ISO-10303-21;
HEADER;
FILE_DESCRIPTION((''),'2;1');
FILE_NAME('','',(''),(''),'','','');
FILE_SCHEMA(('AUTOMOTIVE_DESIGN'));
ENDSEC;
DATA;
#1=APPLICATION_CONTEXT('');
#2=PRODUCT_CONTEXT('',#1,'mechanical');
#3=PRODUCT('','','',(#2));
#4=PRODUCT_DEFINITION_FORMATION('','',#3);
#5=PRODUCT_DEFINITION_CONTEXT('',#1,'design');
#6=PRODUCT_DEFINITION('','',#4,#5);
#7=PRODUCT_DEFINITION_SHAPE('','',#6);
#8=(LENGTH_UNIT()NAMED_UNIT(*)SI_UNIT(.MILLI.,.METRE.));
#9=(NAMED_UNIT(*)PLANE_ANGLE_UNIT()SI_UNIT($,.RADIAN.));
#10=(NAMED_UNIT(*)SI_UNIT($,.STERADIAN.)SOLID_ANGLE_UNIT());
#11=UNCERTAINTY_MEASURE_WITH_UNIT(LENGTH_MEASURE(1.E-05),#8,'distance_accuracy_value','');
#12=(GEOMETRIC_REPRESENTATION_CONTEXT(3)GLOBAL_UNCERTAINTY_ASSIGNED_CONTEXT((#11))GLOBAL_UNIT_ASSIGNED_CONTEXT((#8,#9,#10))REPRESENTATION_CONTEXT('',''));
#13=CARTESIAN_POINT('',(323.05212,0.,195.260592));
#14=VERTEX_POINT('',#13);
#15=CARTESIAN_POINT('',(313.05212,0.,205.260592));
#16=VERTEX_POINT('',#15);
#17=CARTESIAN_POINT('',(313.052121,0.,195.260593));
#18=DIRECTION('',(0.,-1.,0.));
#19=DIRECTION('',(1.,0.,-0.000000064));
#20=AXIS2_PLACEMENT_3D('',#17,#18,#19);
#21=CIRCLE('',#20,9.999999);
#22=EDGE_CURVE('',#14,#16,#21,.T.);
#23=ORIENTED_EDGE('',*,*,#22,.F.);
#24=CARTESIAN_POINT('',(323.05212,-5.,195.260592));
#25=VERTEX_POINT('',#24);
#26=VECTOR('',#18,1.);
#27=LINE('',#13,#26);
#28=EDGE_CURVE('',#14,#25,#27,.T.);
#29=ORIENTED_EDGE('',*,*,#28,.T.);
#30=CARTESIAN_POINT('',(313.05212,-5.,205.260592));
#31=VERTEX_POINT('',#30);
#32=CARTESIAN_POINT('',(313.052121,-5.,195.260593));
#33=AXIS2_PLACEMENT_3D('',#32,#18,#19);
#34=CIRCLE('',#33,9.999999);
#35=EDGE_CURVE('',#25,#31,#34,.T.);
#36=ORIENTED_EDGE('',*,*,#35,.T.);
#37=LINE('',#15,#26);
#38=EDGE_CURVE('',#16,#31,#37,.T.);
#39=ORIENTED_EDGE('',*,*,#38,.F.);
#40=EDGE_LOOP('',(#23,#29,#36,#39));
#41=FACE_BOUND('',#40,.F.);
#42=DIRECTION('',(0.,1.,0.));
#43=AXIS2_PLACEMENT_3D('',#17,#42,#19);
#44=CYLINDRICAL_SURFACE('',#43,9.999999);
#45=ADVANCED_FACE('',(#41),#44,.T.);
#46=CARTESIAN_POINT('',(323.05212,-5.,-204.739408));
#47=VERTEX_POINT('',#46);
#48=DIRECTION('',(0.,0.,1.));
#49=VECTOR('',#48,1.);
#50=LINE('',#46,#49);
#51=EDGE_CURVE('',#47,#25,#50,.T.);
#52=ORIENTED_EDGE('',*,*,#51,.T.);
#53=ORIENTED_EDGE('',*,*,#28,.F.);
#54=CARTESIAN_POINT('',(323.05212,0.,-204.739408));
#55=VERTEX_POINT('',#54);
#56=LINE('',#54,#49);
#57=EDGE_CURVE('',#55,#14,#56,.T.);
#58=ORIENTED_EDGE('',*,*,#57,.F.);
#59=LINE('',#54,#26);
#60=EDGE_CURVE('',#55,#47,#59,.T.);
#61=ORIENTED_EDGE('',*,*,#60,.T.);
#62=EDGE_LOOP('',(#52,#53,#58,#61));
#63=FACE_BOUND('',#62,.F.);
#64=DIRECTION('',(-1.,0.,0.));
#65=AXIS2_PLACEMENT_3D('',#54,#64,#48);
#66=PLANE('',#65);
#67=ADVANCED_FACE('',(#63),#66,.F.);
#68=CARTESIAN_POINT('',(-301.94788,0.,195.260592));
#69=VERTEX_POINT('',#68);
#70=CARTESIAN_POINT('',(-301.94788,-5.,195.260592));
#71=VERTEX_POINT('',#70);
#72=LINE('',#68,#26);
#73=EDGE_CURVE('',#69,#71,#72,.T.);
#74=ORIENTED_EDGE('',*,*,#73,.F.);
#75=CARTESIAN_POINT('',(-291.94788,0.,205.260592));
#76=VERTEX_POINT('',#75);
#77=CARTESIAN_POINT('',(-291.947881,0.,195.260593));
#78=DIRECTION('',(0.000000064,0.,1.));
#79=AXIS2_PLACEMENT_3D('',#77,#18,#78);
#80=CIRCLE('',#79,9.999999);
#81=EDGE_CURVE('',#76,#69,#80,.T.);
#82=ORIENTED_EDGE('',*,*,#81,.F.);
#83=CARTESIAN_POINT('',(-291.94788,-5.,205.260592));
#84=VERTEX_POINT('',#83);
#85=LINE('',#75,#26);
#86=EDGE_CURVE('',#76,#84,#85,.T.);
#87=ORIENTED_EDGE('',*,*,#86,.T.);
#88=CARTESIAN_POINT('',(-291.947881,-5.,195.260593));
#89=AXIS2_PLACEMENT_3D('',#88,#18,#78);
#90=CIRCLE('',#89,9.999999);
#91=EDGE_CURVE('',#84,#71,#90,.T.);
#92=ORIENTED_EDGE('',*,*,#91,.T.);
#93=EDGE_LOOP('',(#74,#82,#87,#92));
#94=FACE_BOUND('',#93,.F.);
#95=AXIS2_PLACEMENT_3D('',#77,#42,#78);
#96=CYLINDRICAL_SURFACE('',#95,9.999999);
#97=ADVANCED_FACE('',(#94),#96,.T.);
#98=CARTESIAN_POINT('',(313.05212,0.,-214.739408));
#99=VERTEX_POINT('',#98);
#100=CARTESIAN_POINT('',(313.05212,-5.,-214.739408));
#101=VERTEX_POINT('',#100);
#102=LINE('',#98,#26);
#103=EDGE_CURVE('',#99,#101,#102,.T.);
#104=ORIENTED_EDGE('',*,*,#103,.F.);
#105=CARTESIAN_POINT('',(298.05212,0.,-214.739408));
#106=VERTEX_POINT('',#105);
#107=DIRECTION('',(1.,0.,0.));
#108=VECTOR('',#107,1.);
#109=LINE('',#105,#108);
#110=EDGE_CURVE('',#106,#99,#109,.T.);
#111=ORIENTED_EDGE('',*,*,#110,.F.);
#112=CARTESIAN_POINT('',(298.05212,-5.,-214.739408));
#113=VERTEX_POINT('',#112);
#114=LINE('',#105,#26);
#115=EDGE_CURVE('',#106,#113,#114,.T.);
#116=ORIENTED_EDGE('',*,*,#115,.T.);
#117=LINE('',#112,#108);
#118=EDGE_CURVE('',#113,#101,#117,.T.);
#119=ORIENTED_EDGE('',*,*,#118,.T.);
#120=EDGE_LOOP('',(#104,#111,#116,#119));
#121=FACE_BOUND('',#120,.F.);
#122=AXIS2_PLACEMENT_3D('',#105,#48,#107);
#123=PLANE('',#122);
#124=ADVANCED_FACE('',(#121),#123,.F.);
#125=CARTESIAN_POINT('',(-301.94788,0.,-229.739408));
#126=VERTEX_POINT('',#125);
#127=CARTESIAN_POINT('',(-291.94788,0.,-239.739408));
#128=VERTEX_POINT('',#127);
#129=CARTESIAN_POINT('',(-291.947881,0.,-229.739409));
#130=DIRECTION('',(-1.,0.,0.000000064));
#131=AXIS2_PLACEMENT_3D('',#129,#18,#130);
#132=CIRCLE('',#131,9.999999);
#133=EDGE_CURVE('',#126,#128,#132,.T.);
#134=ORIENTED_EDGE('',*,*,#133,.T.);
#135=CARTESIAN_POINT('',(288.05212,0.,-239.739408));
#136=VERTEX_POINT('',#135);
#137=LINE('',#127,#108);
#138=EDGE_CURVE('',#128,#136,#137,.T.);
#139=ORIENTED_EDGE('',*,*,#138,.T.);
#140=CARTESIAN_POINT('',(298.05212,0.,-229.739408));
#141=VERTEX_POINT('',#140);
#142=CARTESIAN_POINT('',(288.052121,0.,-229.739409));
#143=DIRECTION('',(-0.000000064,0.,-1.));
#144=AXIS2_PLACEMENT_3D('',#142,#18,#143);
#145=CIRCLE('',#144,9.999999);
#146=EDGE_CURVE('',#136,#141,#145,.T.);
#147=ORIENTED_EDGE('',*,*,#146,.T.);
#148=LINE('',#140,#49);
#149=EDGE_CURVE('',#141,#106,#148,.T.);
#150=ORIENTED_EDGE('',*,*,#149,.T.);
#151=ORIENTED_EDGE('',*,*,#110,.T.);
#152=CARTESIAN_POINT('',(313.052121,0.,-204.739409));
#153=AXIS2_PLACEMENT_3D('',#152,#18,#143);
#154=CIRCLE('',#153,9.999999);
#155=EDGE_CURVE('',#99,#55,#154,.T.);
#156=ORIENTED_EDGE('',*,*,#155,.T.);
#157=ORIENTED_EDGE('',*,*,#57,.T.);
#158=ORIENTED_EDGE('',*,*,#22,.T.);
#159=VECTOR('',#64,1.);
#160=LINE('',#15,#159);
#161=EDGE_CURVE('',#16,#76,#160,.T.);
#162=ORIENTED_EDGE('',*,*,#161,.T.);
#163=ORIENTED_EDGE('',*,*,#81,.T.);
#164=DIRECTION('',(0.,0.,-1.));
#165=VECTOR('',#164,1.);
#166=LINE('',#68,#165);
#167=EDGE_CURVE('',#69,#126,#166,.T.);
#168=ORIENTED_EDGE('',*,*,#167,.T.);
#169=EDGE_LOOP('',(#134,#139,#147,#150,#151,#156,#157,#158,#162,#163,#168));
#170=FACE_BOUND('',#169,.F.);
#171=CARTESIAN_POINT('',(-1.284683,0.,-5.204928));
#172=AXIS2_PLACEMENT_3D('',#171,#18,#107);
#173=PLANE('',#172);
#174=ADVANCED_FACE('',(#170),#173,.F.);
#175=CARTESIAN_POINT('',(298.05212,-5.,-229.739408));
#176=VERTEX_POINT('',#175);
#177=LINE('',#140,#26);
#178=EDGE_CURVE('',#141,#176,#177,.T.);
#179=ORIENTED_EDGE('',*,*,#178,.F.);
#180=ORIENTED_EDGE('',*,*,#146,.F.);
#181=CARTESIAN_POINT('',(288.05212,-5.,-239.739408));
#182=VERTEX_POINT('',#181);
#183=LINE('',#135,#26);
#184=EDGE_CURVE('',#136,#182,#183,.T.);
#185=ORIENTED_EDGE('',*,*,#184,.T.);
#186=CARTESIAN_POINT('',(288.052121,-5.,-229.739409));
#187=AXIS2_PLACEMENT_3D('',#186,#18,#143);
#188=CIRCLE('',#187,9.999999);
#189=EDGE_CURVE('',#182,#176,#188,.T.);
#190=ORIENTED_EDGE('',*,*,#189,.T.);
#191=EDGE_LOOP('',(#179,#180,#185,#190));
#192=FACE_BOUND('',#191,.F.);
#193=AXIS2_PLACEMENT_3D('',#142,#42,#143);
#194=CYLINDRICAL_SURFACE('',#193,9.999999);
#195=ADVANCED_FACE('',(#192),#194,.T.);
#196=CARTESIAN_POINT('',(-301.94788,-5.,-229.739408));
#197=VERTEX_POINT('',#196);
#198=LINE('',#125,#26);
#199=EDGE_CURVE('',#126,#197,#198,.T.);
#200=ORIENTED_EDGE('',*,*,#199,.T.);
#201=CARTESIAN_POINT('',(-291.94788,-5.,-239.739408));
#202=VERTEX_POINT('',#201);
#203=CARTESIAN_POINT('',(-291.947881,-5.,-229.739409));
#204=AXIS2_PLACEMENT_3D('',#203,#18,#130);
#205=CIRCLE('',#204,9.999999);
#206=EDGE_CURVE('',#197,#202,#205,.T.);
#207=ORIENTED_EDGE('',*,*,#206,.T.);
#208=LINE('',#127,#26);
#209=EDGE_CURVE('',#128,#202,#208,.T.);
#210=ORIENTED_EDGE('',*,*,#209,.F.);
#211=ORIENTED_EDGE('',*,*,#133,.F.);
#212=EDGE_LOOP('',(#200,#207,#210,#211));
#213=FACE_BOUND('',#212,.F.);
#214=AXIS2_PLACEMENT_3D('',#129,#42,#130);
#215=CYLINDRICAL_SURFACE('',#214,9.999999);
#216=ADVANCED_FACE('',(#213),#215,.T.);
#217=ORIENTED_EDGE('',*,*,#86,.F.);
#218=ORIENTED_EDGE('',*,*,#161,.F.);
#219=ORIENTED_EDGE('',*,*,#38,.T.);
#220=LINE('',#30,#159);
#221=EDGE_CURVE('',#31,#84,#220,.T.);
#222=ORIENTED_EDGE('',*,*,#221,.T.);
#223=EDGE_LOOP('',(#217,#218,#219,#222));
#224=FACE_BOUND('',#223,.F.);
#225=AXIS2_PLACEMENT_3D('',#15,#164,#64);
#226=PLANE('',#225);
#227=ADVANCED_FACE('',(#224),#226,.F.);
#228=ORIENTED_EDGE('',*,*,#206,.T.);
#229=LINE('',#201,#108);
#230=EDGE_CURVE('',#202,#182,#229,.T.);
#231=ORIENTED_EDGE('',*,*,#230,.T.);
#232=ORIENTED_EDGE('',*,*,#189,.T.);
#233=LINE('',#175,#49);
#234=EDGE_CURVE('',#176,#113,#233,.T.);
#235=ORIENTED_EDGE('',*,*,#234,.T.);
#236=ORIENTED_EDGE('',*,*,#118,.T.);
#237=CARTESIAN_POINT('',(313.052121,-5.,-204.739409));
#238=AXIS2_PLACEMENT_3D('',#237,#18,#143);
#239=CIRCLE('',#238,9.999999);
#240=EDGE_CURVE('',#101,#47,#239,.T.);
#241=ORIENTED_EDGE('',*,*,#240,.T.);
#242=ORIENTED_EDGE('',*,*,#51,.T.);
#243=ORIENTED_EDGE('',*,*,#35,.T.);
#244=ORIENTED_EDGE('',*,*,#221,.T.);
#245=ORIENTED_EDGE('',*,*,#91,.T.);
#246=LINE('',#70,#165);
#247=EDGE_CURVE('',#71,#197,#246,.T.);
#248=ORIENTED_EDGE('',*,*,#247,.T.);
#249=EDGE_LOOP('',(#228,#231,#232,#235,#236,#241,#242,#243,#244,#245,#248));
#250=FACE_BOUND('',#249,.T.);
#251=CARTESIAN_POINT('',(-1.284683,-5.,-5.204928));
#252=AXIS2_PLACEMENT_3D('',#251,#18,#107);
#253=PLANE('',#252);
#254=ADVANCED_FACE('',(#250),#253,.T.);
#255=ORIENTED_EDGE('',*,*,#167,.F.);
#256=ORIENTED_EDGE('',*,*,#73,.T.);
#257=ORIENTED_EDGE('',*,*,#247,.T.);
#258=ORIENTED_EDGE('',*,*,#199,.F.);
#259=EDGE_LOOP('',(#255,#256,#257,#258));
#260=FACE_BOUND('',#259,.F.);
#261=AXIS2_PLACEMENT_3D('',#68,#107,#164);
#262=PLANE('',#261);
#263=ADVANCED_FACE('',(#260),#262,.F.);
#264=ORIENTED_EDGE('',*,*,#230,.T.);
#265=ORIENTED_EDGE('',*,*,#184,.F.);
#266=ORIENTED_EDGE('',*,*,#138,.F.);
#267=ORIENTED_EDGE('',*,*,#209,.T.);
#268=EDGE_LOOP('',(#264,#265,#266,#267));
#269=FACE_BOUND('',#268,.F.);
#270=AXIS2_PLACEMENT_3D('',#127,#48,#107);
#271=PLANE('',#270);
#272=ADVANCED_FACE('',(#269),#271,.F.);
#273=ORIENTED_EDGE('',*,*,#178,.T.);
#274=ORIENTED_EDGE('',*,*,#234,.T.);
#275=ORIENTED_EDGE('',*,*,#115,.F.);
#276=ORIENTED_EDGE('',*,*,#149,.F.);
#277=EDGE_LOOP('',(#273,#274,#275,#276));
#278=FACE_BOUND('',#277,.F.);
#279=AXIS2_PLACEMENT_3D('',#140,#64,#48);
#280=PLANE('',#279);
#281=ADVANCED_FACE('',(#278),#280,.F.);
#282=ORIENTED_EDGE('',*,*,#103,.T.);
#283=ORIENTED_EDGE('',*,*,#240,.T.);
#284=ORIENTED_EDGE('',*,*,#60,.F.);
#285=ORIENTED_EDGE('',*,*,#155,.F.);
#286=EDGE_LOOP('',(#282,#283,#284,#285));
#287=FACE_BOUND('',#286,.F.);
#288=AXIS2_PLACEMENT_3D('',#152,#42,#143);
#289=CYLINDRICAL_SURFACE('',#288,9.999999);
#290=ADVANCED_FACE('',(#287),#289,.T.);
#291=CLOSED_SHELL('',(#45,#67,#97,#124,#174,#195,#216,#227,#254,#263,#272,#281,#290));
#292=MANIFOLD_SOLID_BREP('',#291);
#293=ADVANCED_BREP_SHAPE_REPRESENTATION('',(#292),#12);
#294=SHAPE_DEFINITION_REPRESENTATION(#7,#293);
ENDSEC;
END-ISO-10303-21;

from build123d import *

# Parameters (mm, degrees)
F1_DEPTH = 5


with BuildPart() as f1:
    # F0 (on Front) → F1 (new body)
    with BuildSketch(Plane.XZ):
        with BuildLine():
            Line((298.05212, 205.260592), (-291.94788, 205.260592))
            ThreePointArc((-291.94788, 205.260592), (-299.018948, 202.33166), (-301.94788, 195.260592))
            Line((-301.94788, 195.260592), (-301.94788, -214.739408))
            Line((-301.94788, -214.739408), (298.05212, -214.739408))
            Line((298.05212, -214.739408), (298.05212, 205.260592))
        make_face()
        with BuildLine():
            Line((298.05212, -229.739408), (298.05212, -214.739408))
            Line((298.05212, -214.739408), (-301.94788, -214.739408))
            Line((-301.94788, -214.739408), (-301.94788, -229.739408))
            ThreePointArc((-301.94788, -229.739408), (-299.018948, -236.810476), (-291.94788, -239.739408))
            Line((-291.94788, -239.739408), (288.05212, -239.739408))
            ThreePointArc((288.05212, -239.739408), (295.123188, -236.810476), (298.05212, -229.739408))
        make_face()
        with BuildLine():
            Line((313.05212, 205.260592), (298.05212, 205.260592))
            Line((298.05212, 205.260592), (298.05212, -214.739408))
            Line((298.05212, -214.739408), (313.05212, -214.739408))
            ThreePointArc((313.05212, -214.739408), (320.123188, -211.810476), (323.05212, -204.739408))
            Line((323.05212, -204.739408), (323.05212, 195.260592))
            ThreePointArc((323.05212, 195.260592), (320.123188, 202.33166), (313.05212, 205.260592))
        make_face()
    extrude(amount=F1_DEPTH)


solid = f1.part
